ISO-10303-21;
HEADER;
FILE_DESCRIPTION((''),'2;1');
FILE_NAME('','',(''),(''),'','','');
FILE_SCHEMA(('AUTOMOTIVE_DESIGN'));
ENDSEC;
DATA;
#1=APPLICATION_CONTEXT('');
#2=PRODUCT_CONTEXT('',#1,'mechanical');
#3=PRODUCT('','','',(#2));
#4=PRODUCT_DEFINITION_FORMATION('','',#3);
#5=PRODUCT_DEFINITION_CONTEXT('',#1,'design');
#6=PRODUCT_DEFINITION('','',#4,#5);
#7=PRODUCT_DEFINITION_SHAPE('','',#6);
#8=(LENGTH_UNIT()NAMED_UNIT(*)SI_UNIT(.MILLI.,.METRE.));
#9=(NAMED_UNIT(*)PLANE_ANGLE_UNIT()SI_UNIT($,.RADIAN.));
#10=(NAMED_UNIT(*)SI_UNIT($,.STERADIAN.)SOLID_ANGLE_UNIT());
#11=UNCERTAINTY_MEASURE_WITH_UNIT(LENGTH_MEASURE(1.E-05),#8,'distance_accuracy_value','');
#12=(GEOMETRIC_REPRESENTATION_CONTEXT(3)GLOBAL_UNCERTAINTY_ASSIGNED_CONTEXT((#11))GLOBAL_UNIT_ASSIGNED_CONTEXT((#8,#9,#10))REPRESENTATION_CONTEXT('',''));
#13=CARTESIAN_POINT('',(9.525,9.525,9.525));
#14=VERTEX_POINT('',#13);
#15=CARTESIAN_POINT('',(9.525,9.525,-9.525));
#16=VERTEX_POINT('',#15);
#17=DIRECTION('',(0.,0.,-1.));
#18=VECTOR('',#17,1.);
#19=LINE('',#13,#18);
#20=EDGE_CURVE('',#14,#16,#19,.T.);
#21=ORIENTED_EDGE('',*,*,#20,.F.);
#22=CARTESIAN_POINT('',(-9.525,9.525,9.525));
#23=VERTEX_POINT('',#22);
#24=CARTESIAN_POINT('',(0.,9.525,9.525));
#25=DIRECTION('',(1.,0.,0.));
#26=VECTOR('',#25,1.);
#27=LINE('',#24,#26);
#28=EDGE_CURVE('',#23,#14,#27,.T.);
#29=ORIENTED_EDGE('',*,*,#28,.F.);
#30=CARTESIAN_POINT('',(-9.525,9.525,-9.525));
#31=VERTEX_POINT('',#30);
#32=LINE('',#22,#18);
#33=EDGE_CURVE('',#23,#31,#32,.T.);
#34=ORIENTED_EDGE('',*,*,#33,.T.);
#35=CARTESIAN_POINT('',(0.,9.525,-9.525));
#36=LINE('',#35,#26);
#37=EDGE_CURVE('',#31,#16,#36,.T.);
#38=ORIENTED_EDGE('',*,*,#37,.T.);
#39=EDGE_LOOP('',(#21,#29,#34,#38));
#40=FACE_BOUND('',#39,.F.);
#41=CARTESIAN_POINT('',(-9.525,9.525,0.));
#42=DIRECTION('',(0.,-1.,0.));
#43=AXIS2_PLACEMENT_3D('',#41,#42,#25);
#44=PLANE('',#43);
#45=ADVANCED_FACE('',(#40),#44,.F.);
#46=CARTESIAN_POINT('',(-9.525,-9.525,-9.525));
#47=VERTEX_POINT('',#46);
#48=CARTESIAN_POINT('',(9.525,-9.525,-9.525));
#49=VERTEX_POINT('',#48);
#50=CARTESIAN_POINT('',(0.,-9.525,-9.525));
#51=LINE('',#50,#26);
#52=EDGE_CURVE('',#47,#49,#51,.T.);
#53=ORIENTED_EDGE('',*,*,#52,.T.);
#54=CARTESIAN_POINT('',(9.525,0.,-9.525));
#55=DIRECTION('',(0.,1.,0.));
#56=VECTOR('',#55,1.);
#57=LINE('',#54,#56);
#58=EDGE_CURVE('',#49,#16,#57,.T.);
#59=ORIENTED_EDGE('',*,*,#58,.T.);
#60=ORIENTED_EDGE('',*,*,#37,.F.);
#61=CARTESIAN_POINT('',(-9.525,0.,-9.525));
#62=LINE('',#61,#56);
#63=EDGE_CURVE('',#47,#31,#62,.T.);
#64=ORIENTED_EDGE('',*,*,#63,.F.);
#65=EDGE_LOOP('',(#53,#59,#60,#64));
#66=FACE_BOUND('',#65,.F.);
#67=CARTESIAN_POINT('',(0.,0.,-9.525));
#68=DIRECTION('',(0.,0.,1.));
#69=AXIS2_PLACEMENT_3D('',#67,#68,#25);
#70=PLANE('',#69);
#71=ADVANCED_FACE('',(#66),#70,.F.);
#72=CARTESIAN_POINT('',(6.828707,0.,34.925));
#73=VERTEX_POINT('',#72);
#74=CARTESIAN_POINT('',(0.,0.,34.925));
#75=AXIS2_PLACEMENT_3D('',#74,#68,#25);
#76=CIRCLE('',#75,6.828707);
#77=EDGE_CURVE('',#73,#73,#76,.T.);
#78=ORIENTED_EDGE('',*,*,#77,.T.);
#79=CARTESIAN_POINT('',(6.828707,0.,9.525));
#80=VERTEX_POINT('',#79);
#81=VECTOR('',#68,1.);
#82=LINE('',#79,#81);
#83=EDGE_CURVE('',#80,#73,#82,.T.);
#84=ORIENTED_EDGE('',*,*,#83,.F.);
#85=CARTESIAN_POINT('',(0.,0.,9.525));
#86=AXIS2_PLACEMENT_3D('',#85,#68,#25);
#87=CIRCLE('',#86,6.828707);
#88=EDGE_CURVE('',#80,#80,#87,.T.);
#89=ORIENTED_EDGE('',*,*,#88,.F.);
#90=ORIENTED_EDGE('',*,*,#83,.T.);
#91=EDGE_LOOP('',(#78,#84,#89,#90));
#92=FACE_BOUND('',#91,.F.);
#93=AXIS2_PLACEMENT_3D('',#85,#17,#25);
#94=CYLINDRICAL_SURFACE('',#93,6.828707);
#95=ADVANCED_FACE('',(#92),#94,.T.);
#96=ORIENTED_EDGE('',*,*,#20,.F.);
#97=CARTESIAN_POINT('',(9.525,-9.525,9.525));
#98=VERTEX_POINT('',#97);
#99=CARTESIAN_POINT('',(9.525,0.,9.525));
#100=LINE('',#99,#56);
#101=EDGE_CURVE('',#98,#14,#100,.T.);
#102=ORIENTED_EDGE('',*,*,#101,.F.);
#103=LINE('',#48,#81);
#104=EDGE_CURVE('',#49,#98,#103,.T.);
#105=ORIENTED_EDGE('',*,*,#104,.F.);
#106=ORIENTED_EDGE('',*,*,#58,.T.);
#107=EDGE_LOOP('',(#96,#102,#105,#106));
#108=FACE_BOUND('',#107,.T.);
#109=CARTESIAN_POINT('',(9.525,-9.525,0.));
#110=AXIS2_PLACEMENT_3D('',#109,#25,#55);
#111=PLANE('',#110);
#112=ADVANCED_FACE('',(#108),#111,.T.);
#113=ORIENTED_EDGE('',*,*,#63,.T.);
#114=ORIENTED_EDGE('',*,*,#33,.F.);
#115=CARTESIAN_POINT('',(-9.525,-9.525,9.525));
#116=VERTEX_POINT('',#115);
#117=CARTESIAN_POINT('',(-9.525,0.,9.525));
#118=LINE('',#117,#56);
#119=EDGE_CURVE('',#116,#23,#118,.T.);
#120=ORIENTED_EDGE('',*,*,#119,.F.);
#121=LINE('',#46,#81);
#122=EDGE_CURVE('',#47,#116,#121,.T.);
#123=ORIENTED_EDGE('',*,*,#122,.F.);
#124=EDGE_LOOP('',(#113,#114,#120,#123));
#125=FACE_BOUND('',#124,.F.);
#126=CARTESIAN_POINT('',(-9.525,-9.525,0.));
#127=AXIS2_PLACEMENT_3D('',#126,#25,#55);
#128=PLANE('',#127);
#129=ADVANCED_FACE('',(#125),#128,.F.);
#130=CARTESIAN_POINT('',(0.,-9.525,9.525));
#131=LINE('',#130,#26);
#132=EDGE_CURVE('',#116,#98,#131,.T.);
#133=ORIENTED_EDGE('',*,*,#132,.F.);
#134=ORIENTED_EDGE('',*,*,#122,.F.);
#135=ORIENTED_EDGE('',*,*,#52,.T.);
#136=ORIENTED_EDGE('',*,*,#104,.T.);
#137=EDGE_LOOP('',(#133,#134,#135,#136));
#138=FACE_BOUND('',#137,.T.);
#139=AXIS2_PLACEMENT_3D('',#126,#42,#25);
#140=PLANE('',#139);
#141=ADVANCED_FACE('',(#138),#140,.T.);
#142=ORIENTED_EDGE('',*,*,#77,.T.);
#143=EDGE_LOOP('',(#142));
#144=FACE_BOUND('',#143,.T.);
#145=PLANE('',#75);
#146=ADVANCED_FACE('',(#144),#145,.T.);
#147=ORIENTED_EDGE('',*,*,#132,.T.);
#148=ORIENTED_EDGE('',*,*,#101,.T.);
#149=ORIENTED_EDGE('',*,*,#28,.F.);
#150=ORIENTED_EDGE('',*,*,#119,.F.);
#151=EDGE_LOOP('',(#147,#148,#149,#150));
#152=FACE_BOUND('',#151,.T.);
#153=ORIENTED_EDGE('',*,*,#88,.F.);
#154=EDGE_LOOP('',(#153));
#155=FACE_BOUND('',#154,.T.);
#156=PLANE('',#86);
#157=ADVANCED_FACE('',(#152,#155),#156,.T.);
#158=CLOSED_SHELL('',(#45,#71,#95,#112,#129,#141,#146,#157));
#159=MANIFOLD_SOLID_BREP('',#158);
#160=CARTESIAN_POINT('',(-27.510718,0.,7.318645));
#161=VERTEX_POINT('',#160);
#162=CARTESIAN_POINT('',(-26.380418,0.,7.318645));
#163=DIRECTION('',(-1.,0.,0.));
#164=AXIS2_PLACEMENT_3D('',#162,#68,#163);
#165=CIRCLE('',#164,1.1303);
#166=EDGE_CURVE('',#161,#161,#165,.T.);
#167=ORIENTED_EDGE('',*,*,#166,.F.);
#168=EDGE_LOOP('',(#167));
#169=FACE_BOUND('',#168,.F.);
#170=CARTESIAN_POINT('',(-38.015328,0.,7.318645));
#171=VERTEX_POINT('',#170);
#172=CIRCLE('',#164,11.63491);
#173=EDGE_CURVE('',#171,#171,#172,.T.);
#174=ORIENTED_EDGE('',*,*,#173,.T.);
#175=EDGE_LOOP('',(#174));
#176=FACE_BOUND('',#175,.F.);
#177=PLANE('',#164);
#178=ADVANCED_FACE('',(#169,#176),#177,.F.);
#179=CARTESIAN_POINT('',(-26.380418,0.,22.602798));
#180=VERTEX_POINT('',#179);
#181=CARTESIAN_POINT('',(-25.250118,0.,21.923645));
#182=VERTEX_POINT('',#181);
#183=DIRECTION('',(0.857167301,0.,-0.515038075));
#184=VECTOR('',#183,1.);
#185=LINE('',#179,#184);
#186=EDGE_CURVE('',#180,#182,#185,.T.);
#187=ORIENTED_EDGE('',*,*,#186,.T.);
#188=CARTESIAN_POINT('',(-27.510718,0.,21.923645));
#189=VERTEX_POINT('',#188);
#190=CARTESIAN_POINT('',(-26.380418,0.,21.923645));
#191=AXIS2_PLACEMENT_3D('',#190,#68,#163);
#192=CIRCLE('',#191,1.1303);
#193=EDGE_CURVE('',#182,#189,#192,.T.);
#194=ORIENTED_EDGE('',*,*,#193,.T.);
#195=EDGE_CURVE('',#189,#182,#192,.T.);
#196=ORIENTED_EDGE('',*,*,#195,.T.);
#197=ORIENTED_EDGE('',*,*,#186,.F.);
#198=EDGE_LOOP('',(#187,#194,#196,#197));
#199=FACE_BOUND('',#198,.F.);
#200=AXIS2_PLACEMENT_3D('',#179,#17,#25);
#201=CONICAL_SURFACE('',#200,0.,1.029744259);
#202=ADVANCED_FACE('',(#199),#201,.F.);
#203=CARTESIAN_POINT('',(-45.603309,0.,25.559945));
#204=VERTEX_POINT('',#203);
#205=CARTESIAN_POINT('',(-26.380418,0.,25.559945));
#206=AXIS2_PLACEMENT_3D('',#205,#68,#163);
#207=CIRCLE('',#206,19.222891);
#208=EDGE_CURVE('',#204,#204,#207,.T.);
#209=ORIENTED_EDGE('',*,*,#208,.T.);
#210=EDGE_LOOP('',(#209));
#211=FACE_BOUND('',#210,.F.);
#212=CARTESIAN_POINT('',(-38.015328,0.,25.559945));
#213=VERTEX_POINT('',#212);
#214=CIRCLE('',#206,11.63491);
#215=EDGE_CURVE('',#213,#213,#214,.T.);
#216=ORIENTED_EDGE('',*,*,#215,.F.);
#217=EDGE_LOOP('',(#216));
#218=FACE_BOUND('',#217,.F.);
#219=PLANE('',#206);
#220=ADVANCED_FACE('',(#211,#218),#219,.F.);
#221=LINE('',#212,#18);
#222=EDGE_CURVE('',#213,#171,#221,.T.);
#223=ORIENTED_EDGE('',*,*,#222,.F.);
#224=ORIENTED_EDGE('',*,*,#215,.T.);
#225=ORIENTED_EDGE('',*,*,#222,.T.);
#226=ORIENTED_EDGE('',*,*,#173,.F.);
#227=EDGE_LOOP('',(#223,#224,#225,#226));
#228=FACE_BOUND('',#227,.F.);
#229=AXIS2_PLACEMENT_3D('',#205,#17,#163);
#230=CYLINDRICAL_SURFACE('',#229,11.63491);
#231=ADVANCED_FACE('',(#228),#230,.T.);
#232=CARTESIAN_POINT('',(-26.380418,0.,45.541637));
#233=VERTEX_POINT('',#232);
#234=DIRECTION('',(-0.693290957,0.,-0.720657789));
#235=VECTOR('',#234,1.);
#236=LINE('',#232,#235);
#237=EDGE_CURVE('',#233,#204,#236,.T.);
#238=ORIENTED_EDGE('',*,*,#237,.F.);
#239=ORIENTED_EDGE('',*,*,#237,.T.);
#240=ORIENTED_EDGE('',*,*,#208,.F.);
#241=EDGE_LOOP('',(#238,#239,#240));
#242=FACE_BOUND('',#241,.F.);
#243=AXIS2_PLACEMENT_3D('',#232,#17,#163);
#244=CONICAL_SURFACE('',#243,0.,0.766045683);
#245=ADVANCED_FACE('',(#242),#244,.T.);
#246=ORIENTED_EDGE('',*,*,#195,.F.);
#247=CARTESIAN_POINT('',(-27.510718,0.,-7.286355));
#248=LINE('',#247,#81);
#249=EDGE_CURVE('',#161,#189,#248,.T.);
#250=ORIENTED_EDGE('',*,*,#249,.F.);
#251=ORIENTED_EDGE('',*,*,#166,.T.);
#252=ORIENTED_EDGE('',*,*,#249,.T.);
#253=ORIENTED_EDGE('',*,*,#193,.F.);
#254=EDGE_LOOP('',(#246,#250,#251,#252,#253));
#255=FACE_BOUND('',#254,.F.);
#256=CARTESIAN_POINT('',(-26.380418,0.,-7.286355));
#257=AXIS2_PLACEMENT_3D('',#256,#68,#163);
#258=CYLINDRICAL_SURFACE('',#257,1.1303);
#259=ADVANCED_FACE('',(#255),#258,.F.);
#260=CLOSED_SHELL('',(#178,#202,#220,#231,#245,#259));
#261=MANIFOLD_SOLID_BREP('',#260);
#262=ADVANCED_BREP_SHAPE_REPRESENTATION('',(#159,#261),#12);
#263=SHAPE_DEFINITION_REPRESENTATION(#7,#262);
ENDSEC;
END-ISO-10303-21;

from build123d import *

# Parameters (mm, degrees)
F0_W     = 19.05
F0_H     = 19.05
F1_DEPTH = 9.525
F2_R     = 6.8287067213
F3_DEPTH = 25.4
F7_D     = 2.2606
F7_DEPTH = 14.605
F7_TIP   = 0.6791527577


with BuildPart() as f1:
    # F0 (on Top) → F1 (new body, symmetric)
    with BuildSketch(Plane.XY):
        Rectangle(F0_W, F0_H)
    extrude(amount=F1_DEPTH, both=True)

    # F2 (on face) → F3 (join)
    with BuildSketch(Plane.XY.offset(9.525)):
        Circle(F2_R)
    extrude(amount=F3_DEPTH)


with BuildPart() as f5:
    # F4 (on Front) → F5 (revolve)
    with BuildSketch(Plane.XZ):
        Polygon((-26.3804178685, 7.318645176), (-26.3804178685, 45.5416366458), (-45.6033088267, 25.559945032), (-38.0153283477, 25.559945032), (-38.0153283477, 7.318645176), align=None)
    revolve(axis=Axis((-26.3804178685, 0, 26.4301409109), (0, 0, 1)))

    # F7
    with Locations(Plane(origin=(0, 0, 7.318645176), x_dir=(1, 0, 0), z_dir=(0, 0, -1))):
        with Locations((-26.3804178685, 0)):
            Hole(F7_D / 2, depth=F7_DEPTH)
            with Locations((0, 0, -(F7_DEPTH + F7_TIP / 2))):  # 118° drill point
                Cone(0, F7_D / 2, F7_TIP, mode=Mode.SUBTRACT)


solid = Compound([f1.part, f5.part])
